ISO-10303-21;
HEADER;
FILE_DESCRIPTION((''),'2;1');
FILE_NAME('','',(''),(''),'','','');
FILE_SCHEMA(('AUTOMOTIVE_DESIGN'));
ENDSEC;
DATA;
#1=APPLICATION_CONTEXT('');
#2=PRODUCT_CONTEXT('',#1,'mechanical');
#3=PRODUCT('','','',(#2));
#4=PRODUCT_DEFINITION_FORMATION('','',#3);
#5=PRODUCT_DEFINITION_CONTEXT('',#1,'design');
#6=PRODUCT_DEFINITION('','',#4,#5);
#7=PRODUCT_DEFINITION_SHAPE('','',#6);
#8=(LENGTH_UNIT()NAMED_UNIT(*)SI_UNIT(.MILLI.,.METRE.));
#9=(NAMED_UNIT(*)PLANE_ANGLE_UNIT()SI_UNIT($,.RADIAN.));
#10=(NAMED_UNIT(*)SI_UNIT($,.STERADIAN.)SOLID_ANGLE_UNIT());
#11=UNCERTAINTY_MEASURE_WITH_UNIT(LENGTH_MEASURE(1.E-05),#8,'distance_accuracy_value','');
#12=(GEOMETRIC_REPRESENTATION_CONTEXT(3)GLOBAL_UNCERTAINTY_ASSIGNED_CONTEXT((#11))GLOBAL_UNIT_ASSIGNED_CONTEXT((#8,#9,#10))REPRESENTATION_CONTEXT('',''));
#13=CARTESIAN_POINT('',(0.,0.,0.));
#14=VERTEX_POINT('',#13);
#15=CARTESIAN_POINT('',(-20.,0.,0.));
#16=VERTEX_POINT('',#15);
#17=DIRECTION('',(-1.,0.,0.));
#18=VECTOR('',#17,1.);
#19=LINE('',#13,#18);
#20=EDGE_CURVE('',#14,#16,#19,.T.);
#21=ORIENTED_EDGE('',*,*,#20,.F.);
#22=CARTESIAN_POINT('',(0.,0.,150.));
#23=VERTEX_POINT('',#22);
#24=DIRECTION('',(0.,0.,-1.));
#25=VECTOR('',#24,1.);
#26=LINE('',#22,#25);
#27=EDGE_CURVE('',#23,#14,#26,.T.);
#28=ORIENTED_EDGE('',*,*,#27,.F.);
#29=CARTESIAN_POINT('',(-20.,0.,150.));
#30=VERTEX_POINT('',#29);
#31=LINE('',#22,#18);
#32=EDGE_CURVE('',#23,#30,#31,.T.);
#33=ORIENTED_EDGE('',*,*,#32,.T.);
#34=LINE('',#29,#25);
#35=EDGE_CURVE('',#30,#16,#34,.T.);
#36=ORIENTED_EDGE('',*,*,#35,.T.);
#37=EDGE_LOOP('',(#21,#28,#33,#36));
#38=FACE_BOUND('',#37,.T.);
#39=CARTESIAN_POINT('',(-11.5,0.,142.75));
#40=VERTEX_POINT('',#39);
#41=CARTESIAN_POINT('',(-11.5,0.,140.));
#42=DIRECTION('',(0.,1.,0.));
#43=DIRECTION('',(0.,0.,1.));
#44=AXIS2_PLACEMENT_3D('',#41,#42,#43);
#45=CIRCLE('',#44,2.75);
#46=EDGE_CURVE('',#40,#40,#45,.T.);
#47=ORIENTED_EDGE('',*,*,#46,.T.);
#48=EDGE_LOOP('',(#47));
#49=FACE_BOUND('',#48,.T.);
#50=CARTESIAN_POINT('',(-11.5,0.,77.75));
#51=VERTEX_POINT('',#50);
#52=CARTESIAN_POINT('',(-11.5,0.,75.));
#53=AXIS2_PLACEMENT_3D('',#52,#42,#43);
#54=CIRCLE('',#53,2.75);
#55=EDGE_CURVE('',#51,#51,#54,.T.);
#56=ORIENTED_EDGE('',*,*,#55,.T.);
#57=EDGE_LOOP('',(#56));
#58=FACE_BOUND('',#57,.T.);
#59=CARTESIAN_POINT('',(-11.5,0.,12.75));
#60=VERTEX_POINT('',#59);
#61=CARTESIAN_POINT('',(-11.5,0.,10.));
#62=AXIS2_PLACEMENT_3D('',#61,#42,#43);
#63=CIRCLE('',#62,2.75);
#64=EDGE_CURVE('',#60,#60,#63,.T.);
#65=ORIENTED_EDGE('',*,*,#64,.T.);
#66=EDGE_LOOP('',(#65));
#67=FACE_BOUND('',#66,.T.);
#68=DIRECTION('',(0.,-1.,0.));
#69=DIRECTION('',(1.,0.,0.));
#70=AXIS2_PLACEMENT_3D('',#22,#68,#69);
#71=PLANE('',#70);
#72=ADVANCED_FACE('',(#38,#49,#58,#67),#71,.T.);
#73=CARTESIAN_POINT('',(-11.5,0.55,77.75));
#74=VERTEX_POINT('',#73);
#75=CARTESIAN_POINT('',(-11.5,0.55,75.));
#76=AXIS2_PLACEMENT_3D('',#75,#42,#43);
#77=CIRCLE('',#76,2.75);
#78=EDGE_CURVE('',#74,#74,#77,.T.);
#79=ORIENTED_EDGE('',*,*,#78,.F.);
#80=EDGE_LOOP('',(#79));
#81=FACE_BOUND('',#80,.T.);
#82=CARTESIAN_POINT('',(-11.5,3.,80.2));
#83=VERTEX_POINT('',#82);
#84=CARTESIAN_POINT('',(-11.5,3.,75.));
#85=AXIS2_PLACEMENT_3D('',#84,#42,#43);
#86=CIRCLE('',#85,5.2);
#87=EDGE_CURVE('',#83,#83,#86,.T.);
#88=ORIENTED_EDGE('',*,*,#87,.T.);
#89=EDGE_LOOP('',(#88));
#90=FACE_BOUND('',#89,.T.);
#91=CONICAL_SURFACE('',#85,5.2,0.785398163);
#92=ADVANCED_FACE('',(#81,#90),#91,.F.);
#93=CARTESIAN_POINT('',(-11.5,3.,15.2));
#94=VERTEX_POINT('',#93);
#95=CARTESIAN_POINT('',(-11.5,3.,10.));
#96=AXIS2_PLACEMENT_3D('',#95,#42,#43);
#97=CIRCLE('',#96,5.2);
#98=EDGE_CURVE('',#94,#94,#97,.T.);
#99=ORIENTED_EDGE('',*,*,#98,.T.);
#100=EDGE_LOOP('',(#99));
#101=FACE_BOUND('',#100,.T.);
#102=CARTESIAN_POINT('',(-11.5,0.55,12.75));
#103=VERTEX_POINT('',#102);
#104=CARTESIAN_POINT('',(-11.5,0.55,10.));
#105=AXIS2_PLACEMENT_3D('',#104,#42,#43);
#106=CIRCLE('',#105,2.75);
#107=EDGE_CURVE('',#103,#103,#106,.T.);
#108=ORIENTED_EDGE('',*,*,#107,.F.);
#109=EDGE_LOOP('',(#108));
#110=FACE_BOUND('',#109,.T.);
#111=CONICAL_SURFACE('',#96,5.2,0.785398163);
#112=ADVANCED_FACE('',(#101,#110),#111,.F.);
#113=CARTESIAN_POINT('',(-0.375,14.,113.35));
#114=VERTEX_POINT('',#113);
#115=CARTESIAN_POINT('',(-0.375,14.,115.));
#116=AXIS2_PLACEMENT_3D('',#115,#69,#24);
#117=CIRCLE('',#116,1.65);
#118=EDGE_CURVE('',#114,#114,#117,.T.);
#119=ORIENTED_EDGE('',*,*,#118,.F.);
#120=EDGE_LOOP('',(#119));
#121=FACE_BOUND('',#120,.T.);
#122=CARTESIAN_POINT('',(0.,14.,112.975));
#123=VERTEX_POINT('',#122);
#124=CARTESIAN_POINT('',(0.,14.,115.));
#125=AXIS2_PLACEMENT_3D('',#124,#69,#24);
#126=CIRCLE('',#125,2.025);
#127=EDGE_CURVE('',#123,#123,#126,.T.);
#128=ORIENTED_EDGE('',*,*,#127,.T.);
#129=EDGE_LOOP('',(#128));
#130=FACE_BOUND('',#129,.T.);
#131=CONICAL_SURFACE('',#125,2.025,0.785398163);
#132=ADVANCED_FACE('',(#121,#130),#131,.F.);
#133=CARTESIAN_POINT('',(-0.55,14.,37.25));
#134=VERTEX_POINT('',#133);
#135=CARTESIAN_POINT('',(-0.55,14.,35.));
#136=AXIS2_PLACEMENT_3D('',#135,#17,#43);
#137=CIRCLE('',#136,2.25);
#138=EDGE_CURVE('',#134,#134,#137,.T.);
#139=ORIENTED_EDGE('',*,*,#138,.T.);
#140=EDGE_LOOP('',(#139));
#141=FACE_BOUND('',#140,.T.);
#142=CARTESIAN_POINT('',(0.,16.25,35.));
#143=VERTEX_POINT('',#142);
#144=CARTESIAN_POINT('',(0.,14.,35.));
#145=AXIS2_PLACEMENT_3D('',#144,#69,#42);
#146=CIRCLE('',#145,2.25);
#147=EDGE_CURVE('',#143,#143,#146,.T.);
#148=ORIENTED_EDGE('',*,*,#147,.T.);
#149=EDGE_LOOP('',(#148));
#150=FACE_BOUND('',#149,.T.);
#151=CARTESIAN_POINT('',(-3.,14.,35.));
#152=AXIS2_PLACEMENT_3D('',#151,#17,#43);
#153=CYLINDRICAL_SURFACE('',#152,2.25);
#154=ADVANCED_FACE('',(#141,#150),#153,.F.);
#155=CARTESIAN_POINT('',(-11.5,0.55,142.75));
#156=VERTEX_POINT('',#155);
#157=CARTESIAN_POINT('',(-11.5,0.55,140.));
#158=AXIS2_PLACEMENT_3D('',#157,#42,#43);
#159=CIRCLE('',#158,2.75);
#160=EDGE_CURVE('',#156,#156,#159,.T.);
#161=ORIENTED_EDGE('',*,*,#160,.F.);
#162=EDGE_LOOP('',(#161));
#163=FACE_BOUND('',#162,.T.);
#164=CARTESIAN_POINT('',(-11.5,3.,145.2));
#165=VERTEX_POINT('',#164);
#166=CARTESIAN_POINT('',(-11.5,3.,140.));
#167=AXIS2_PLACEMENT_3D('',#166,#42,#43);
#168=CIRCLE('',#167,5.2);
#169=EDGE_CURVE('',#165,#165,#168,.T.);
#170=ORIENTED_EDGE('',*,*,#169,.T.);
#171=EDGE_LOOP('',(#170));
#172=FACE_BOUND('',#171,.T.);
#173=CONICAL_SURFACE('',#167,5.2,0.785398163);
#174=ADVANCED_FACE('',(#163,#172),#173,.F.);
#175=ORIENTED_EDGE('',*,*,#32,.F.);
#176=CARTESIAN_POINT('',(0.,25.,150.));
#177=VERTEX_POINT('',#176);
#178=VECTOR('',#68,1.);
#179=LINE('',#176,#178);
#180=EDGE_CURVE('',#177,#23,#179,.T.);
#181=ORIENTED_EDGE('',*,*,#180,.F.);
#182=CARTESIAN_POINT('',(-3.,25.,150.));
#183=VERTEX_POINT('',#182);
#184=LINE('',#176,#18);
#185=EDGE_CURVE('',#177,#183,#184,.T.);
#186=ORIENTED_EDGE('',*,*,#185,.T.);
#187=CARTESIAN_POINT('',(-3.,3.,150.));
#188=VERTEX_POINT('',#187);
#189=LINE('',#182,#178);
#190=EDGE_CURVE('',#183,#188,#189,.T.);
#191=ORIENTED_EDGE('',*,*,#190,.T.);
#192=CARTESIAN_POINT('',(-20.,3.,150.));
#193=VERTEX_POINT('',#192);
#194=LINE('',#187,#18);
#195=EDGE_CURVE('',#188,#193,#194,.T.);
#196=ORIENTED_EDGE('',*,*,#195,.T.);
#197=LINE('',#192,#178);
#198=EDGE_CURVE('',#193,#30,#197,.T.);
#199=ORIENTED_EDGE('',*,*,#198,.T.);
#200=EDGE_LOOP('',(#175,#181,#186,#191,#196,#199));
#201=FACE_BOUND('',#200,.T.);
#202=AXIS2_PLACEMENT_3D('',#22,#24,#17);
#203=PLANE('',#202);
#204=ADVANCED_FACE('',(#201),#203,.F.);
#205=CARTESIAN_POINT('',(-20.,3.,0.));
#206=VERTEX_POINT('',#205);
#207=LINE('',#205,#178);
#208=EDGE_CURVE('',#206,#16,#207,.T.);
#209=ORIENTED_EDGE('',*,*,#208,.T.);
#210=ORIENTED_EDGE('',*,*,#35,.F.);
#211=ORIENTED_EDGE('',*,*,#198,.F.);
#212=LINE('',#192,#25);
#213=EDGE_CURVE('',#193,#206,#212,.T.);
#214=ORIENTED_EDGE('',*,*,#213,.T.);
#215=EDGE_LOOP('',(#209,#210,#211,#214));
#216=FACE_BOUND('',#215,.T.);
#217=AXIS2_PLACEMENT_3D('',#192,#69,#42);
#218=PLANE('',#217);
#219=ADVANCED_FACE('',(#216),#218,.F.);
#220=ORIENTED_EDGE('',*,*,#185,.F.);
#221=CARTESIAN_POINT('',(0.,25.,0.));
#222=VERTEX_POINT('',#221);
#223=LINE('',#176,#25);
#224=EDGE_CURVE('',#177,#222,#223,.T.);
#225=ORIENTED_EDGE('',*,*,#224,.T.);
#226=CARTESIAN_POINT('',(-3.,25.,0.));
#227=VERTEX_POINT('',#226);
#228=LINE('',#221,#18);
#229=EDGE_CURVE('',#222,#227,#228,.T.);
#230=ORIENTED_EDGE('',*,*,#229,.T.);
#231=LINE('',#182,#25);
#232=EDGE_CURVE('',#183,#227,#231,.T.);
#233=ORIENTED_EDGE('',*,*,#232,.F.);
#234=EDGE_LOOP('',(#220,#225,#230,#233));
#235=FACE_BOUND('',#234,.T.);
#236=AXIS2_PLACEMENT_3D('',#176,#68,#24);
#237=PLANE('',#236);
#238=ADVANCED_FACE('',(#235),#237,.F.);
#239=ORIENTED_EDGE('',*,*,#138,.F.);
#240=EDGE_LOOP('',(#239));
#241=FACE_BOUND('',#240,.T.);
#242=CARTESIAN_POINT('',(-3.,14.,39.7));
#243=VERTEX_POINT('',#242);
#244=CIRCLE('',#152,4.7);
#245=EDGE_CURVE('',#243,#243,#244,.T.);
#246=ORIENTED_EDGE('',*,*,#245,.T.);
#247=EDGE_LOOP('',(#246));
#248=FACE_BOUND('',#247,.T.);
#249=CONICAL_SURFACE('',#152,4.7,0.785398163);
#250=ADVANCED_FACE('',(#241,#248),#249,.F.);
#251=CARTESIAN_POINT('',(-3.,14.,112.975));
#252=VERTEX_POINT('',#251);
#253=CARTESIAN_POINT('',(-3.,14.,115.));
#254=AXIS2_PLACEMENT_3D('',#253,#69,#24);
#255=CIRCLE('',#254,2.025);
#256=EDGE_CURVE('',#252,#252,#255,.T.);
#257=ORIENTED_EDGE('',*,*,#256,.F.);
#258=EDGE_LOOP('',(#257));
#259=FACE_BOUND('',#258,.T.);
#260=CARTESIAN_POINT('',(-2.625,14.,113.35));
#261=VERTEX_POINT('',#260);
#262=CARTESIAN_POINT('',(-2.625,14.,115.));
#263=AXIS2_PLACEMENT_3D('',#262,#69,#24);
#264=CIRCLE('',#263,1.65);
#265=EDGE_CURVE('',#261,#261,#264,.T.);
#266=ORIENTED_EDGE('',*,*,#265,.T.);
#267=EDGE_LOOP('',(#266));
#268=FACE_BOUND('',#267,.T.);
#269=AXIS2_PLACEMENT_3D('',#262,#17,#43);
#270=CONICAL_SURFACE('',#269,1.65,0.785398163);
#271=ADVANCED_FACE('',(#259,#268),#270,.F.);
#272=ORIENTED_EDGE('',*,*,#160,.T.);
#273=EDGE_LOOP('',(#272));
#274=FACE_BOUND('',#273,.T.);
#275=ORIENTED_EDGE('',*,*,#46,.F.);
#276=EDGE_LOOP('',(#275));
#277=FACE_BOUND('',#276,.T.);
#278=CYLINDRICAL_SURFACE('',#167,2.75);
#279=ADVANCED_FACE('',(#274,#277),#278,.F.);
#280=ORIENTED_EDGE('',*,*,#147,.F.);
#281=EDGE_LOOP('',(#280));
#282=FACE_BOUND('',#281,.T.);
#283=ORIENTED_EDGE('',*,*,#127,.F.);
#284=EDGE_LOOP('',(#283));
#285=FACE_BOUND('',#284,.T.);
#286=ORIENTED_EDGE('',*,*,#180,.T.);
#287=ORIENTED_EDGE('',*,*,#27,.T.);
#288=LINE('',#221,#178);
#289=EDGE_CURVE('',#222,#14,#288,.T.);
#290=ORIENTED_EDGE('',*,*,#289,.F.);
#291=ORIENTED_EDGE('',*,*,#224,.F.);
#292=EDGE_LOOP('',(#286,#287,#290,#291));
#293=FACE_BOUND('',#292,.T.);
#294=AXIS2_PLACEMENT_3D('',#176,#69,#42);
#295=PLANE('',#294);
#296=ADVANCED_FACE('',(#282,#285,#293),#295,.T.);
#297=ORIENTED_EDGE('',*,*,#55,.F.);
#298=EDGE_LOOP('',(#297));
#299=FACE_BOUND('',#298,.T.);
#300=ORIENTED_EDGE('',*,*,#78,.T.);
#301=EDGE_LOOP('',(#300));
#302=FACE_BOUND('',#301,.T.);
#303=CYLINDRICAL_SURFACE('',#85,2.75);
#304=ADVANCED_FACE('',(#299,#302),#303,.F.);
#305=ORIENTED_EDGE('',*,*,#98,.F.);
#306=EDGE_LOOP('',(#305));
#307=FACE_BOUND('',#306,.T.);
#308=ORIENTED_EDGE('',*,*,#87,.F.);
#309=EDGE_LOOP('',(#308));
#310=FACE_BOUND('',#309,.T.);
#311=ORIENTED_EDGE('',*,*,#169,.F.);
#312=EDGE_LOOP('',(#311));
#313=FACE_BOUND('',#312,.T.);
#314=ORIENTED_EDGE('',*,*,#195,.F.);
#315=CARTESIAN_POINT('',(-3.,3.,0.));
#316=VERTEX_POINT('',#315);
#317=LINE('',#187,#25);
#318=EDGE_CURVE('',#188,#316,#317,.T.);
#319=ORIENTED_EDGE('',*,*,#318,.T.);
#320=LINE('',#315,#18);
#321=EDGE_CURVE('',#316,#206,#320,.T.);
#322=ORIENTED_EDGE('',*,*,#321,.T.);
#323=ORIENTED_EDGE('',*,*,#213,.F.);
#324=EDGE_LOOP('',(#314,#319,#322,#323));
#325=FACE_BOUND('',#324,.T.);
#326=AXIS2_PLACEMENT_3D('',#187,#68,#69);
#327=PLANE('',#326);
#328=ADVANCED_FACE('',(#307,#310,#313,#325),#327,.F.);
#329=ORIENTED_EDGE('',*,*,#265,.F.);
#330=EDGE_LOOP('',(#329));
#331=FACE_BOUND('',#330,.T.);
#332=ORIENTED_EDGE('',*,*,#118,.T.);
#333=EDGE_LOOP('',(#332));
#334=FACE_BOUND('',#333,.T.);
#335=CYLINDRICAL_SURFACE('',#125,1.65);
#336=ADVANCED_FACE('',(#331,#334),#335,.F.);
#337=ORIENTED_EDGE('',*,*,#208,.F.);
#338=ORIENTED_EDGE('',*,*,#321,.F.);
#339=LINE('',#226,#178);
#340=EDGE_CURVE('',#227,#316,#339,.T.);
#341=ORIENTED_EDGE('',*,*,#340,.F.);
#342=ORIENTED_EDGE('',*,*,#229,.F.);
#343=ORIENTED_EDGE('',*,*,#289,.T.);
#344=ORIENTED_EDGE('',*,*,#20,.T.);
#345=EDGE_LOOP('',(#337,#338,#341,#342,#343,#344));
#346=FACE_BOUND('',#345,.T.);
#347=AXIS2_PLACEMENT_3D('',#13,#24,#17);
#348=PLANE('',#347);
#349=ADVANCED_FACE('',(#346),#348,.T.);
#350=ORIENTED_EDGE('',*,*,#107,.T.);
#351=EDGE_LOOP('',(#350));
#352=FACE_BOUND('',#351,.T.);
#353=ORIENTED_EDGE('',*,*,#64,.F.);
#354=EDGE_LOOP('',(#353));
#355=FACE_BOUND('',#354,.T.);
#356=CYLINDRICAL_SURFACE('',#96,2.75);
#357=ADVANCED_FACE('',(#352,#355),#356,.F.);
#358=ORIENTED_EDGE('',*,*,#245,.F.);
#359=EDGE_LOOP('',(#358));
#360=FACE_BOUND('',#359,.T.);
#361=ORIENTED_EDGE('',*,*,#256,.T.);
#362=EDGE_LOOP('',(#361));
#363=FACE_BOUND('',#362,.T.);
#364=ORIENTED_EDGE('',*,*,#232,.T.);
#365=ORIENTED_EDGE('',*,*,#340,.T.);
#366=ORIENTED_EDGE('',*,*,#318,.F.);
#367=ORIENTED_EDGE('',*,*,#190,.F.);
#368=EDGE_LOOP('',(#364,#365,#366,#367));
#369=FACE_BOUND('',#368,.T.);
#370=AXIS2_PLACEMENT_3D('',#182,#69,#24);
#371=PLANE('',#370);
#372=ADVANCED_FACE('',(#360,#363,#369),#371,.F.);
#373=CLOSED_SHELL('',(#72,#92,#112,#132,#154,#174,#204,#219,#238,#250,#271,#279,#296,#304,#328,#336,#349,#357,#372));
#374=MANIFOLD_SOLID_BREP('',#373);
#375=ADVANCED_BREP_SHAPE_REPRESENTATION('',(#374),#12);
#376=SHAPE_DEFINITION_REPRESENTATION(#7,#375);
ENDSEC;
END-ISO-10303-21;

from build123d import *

# Parameters (mm, degrees)
BOSS_EXTRU_1_DEPTH                             = 150
FRAISAGE_POUR_VIS_T_TE_FRAIS_E_M41_D           = 4.5
FRAISAGE_POUR_VIS_T_TE_FRAIS_E_M41_DEPTH       = 25
FRAISAGE_POUR_VIS_T_TE_FRAIS_E_M41_CSINK_D     = 9.4
FRAISAGE_POUR_VIS_T_TE_FRAIS_E_M41_CSINK_ANGLE = 90
FRAISAGE_POUR_VIS_T_TE_FRAIS_E_M41_TIP         = 1.351936393
FRAISAGE_POUR_VIS_T_TE_FRAIS_E_M52_AT_COUNT    = 2
FRAISAGE_POUR_VIS_T_TE_FRAIS_E_M52_AT_PITCH    = 65
FRAISAGE_POUR_VIS_T_TE_FRAIS_E_M52_2_COUNT     = 2
FRAISAGE_POUR_VIS_T_TE_FRAIS_E_M52_2_PITCH     = 65


with BuildPart() as part:
    # Esquisse1 → Boss.-Extru.1 (new body)
    with BuildSketch(Plane.XY):
        Polygon((0, 25), (0, 0), (-20, 0), (-20, 3), (-3, 3), (-3, 25), align=None)
    extrude(amount=BOSS_EXTRU_1_DEPTH)

    # Fraisage pour vis à tête fraisée M41
    with Locations(Plane.ZY.offset(3)):
        with Locations((35, 14)):
            CounterSinkHole(FRAISAGE_POUR_VIS_T_TE_FRAIS_E_M41_D / 2, FRAISAGE_POUR_VIS_T_TE_FRAIS_E_M41_CSINK_D / 2, depth=FRAISAGE_POUR_VIS_T_TE_FRAIS_E_M41_DEPTH, counter_sink_angle=FRAISAGE_POUR_VIS_T_TE_FRAIS_E_M41_CSINK_ANGLE)
            with Locations((0, 0, -(FRAISAGE_POUR_VIS_T_TE_FRAIS_E_M41_DEPTH + FRAISAGE_POUR_VIS_T_TE_FRAIS_E_M41_TIP / 2))):  # 118° drill point
                Cone(0, FRAISAGE_POUR_VIS_T_TE_FRAIS_E_M41_D / 2, FRAISAGE_POUR_VIS_T_TE_FRAIS_E_M41_TIP, mode=Mode.SUBTRACT)

    # Esquisse6 → Trou taraudé M51 (revolve, cut)
    with BuildSketch(Plane(origin=(0, 14, 115), x_dir=(0, 0, -1), z_dir=(0, 1, 0))):
        Polygon((0, 0), (0, 3), (2.025, 3), (1.65, 2.625), (1.65, 0.375), (2.025, 0), align=None)
    revolve(axis=Axis((6.35, 14, 115), (-1, 0, 0)), mode=Mode.SUBTRACT)

    # Esquisse8 → Fraisage pour vis à tête fraisée M52 (revolve, cut)
    with BuildSketch(Plane(origin=(-11.5, 3, 75), x_dir=(0, 0, 1), z_dir=(1, 0, 0))):
        Polygon((0, 0), (0, 3), (2.75, 3), (2.75, 2.45), (5.2, 0), align=None)
    fraisage_pour_vis_t_te_frais_e_m52 = revolve(axis=Axis((-11.5, 9.35, 75), (0, -1, 0)), mode=Mode.SUBTRACT)

    # Fraisage pour vis à tête fraisée M52 at: Fraisage pour vis à tête fraisée M52 ×2
    with Locations(*[(0, 0, i * FRAISAGE_POUR_VIS_T_TE_FRAIS_E_M52_AT_PITCH) for i in range(1, FRAISAGE_POUR_VIS_T_TE_FRAIS_E_M52_AT_COUNT)]):
        add(fraisage_pour_vis_t_te_frais_e_m52, mode=Mode.SUBTRACT)

    # Fraisage pour vis _ t_te frais_e M52 2: Fraisage pour vis à tête fraisée M52 ×2
    with Locations(*[(0, 0, -i * FRAISAGE_POUR_VIS_T_TE_FRAIS_E_M52_2_PITCH) for i in range(1, FRAISAGE_POUR_VIS_T_TE_FRAIS_E_M52_2_COUNT)]):
        add(fraisage_pour_vis_t_te_frais_e_m52, mode=Mode.SUBTRACT)


solid = part.part
